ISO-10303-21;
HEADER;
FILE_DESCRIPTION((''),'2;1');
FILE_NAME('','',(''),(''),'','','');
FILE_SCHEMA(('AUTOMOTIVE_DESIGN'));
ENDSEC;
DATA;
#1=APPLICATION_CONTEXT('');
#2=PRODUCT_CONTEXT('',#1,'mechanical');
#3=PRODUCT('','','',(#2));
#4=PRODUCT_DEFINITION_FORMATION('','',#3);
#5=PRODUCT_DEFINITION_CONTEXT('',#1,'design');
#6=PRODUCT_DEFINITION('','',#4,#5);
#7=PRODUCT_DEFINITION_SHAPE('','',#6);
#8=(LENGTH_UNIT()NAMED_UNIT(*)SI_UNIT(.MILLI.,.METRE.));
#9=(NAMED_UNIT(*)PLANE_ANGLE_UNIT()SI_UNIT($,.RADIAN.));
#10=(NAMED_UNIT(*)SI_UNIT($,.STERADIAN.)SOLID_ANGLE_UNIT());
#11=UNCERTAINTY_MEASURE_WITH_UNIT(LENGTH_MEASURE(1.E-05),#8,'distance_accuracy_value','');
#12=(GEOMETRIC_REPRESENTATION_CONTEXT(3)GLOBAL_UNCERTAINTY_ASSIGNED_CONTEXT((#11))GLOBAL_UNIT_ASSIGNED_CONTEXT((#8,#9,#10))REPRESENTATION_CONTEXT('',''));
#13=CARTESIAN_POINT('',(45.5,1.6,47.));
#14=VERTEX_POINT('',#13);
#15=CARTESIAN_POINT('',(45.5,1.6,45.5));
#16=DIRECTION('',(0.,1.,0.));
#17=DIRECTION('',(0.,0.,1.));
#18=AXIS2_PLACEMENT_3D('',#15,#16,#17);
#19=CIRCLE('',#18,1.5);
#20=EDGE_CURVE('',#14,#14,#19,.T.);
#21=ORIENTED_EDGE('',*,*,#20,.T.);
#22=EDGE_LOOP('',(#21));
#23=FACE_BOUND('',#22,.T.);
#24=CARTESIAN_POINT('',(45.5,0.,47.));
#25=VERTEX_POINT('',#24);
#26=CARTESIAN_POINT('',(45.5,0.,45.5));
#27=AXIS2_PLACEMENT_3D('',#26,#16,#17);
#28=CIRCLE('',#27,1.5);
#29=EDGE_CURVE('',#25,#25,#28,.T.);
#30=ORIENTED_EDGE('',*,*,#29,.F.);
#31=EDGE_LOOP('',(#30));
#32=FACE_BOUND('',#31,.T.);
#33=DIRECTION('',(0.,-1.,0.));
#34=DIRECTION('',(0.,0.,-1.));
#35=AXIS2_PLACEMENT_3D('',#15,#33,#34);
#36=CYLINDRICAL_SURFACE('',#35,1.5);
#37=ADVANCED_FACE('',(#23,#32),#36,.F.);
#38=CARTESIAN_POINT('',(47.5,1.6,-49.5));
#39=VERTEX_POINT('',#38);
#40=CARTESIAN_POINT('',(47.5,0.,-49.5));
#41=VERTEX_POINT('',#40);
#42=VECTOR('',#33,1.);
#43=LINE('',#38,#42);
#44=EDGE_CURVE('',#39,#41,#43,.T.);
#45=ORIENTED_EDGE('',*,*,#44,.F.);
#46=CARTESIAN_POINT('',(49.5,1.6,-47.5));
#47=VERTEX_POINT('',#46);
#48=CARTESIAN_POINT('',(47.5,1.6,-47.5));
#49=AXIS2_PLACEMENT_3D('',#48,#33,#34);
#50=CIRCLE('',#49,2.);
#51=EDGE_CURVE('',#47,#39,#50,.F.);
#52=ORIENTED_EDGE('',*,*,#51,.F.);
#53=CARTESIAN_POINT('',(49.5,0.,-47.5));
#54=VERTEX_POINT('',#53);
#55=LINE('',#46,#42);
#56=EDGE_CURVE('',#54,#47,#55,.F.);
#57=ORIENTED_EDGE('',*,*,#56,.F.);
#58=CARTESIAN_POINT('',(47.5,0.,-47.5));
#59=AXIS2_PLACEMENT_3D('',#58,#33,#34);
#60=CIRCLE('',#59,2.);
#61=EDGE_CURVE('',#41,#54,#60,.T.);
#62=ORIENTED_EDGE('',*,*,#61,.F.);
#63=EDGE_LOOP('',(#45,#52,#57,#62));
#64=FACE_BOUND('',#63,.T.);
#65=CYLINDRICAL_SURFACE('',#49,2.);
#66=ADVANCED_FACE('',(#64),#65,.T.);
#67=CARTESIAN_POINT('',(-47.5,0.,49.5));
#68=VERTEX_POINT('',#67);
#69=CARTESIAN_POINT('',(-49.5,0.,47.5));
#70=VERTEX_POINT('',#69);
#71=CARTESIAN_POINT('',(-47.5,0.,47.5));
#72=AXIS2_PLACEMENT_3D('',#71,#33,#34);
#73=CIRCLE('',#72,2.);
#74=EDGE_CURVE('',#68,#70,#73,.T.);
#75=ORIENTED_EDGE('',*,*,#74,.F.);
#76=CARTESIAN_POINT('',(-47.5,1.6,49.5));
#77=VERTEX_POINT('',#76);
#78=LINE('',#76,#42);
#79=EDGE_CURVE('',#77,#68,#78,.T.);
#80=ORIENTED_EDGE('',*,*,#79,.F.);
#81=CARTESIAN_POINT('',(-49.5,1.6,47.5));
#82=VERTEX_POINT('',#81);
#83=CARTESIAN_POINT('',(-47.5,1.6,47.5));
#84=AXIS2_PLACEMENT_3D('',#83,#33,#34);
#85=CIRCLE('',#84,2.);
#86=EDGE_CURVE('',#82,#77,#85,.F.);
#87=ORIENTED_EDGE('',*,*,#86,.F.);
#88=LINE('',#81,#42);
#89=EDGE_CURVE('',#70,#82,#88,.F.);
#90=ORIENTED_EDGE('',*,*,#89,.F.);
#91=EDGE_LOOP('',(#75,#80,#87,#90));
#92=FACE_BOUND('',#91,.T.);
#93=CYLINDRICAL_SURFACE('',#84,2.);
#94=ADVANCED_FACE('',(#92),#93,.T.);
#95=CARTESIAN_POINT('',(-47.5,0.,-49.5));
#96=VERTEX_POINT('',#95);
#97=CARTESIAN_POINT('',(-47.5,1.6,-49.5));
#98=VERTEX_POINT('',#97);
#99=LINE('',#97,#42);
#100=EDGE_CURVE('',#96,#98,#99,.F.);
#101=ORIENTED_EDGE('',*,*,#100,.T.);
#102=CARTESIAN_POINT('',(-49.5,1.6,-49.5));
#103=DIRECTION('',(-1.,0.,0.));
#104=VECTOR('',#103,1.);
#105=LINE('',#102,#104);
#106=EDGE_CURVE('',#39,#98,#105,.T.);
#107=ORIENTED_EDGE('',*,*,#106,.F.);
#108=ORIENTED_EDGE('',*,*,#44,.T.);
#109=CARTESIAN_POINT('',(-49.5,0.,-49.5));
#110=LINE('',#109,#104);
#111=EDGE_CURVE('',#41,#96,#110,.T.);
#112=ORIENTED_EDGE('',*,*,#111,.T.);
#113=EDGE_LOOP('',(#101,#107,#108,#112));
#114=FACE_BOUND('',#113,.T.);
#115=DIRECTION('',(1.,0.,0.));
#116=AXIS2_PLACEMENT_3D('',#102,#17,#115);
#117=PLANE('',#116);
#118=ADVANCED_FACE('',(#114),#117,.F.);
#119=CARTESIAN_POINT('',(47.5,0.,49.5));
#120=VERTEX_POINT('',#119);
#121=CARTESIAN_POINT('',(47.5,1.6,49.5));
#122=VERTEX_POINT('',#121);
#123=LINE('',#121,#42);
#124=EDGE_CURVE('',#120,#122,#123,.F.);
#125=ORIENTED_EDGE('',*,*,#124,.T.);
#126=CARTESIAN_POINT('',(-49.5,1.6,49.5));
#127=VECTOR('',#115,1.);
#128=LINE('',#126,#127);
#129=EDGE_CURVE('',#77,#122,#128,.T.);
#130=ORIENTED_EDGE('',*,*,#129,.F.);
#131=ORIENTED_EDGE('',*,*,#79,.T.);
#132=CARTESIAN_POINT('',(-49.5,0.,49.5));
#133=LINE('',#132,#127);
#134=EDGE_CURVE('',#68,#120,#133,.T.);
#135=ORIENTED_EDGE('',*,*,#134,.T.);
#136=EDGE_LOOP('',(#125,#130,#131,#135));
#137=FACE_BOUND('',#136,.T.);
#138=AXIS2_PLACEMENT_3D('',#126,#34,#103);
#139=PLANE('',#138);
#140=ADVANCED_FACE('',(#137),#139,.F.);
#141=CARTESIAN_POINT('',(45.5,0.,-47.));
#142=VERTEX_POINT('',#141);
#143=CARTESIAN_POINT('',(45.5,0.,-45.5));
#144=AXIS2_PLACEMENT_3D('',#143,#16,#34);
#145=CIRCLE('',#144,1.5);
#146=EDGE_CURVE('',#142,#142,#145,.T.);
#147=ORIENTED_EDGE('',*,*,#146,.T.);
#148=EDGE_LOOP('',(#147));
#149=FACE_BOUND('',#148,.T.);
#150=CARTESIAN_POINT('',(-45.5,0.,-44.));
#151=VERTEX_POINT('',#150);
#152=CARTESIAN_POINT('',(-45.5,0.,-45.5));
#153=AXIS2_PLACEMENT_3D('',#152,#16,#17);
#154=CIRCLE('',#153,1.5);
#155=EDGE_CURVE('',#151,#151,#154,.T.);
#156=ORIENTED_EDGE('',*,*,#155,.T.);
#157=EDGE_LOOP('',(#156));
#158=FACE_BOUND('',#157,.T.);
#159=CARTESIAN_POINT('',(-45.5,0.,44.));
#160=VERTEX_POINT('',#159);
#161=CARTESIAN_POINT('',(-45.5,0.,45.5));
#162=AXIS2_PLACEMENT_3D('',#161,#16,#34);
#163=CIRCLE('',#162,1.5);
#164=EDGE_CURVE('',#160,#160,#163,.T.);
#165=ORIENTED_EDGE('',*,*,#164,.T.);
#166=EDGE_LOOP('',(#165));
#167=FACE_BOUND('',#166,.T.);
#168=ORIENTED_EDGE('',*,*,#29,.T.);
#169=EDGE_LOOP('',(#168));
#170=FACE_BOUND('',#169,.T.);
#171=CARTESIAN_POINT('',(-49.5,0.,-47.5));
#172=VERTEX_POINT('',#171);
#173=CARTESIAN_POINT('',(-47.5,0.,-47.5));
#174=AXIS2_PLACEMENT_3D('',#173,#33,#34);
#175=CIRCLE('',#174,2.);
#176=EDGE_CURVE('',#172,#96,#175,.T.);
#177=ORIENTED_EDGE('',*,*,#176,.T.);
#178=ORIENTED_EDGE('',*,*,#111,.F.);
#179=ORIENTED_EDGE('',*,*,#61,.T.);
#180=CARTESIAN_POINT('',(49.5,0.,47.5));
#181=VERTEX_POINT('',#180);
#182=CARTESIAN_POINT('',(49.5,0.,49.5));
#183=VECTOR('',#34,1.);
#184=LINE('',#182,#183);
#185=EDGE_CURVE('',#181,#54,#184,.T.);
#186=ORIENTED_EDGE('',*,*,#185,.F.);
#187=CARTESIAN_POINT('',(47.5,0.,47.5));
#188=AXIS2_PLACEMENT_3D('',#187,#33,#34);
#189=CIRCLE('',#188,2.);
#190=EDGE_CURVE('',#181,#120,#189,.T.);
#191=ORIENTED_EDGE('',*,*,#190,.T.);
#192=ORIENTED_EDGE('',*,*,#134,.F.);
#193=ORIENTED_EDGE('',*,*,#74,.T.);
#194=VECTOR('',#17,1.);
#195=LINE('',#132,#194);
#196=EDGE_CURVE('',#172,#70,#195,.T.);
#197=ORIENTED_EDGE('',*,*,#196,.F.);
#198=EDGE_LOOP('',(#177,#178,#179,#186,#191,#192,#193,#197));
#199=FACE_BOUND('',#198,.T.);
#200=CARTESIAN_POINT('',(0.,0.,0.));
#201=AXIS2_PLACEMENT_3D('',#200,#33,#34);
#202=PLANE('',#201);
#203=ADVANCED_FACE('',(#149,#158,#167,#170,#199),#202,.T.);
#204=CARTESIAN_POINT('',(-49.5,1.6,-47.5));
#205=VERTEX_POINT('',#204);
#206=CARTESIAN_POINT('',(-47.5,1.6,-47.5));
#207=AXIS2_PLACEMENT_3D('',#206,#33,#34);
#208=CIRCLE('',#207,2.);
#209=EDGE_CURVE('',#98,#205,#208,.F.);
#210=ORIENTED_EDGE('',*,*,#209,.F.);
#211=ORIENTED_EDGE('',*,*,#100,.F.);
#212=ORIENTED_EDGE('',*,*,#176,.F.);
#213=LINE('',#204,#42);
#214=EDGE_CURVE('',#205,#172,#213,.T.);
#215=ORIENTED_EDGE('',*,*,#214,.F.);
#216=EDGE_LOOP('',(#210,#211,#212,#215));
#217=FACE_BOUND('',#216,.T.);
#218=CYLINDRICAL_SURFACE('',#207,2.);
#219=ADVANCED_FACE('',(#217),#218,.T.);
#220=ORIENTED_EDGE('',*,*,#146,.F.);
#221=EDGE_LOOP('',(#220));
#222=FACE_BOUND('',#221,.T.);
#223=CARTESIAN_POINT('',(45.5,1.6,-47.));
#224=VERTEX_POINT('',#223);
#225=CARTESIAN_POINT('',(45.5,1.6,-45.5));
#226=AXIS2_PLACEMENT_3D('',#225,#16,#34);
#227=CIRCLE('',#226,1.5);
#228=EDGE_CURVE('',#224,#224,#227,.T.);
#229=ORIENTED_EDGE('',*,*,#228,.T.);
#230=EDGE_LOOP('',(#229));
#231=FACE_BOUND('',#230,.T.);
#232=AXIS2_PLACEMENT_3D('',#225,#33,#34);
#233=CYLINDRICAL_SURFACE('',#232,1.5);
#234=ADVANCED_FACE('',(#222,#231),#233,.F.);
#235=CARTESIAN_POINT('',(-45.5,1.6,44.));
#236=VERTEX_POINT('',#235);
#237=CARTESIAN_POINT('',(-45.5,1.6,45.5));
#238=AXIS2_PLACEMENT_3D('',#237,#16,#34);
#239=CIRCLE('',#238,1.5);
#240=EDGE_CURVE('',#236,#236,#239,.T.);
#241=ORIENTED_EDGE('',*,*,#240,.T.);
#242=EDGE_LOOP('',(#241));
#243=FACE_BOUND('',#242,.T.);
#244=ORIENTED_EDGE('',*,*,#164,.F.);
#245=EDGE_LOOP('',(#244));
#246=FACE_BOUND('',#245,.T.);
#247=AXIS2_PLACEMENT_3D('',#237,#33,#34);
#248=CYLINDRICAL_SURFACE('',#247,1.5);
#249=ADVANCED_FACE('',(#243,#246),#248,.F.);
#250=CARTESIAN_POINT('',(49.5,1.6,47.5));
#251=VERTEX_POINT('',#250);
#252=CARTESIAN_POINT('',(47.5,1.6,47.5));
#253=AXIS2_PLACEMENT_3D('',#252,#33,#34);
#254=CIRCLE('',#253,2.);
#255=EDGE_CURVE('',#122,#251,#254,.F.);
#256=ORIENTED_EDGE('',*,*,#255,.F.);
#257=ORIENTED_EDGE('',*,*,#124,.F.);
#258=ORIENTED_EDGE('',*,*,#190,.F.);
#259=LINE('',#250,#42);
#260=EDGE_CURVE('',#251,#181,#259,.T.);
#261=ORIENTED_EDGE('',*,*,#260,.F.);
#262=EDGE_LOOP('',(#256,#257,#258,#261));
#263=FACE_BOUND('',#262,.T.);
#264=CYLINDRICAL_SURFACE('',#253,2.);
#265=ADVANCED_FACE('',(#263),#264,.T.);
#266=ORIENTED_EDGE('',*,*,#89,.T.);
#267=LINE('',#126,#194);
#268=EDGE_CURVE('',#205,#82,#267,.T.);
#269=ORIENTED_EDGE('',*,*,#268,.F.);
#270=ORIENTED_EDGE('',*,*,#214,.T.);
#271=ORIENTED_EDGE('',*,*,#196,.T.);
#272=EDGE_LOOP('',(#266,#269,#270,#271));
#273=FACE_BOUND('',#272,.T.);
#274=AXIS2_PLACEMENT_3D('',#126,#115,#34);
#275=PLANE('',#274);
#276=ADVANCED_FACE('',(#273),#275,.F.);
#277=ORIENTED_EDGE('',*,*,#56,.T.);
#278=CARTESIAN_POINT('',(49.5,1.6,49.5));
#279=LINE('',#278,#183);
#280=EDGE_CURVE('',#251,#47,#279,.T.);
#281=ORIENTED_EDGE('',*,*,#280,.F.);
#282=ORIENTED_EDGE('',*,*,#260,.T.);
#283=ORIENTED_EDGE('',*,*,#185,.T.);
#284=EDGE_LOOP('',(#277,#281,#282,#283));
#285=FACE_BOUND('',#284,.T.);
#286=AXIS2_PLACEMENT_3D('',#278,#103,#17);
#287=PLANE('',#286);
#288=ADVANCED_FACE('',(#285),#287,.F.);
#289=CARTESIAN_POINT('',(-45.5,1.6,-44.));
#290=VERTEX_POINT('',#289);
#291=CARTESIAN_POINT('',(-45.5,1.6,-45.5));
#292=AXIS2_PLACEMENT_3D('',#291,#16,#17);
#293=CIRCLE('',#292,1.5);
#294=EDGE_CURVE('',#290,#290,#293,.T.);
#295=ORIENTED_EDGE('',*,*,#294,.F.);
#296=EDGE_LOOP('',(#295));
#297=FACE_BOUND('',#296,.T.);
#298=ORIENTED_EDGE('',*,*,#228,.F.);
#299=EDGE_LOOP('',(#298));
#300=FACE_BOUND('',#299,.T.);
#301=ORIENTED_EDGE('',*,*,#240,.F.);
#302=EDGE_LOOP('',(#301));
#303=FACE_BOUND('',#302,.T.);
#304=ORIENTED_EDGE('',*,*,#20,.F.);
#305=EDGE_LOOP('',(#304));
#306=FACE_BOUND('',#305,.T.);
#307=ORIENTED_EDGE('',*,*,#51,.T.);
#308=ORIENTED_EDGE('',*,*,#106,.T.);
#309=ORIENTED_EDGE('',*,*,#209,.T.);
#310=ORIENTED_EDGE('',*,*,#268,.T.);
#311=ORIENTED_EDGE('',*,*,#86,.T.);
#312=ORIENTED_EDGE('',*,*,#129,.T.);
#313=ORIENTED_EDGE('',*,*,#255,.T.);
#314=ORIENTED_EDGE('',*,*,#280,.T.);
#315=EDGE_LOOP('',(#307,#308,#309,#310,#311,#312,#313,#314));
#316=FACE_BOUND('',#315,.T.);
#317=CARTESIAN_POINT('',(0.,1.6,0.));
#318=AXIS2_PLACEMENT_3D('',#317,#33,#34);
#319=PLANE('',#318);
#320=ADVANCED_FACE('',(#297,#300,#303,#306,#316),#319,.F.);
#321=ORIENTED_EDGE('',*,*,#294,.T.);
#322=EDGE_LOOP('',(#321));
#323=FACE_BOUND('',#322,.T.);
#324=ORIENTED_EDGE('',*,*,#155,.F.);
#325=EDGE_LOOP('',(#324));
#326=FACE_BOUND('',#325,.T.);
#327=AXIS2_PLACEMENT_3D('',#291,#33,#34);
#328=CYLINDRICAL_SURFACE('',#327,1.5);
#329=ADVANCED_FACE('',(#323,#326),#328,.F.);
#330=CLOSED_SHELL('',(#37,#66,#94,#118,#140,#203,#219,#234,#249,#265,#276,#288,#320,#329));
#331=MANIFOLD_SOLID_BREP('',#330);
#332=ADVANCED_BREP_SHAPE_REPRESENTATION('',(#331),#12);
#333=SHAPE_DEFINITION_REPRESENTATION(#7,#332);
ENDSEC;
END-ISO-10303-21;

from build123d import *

# Parameters (mm, degrees)
SKETCH_1_W      = 99
SKETCH_1_H      = 99
SKETCH_1_R      = 1.5
EXTRUDE_1_DEPTH = 1.6
FILLET_1_R      = 2


with BuildPart() as part:
    # 草图1 → 凸台-拉伸1 (new body)
    with BuildSketch(Plane(origin=(0, 0, 0), x_dir=(1, 0, 0), z_dir=(0, 1, 0))):
        Rectangle(SKETCH_1_W, SKETCH_1_H)
        with Locations(Location((-45.5, 45.5, 0), (0, 0, 270))):
            Circle(SKETCH_1_R, mode=Mode.SUBTRACT)
        with Locations(Location((45.5, 45.5, 0), (0, 0, 90))):
            Circle(SKETCH_1_R, mode=Mode.SUBTRACT)
        with Locations(Location((45.5, -45.5, 0), (0, 0, 270))):
            Circle(SKETCH_1_R, mode=Mode.SUBTRACT)
        with Locations(Location((-45.5, -45.5, 0), (0, 0, 90))):
            Circle(SKETCH_1_R, mode=Mode.SUBTRACT)
    extrude(amount=EXTRUDE_1_DEPTH)

    # 圆角1
    fillet_1_edges = [part.edges().sort_by_distance(p)[0] for p in [
        (49.5, 0.8, 49.5),
        (-49.5, 0.8, 49.5),
        (-49.5, 0.8, -49.5),
        (49.5, 0.8, -49.5),
    ]]
    fillet(fillet_1_edges, radius=FILLET_1_R)


solid = part.part
